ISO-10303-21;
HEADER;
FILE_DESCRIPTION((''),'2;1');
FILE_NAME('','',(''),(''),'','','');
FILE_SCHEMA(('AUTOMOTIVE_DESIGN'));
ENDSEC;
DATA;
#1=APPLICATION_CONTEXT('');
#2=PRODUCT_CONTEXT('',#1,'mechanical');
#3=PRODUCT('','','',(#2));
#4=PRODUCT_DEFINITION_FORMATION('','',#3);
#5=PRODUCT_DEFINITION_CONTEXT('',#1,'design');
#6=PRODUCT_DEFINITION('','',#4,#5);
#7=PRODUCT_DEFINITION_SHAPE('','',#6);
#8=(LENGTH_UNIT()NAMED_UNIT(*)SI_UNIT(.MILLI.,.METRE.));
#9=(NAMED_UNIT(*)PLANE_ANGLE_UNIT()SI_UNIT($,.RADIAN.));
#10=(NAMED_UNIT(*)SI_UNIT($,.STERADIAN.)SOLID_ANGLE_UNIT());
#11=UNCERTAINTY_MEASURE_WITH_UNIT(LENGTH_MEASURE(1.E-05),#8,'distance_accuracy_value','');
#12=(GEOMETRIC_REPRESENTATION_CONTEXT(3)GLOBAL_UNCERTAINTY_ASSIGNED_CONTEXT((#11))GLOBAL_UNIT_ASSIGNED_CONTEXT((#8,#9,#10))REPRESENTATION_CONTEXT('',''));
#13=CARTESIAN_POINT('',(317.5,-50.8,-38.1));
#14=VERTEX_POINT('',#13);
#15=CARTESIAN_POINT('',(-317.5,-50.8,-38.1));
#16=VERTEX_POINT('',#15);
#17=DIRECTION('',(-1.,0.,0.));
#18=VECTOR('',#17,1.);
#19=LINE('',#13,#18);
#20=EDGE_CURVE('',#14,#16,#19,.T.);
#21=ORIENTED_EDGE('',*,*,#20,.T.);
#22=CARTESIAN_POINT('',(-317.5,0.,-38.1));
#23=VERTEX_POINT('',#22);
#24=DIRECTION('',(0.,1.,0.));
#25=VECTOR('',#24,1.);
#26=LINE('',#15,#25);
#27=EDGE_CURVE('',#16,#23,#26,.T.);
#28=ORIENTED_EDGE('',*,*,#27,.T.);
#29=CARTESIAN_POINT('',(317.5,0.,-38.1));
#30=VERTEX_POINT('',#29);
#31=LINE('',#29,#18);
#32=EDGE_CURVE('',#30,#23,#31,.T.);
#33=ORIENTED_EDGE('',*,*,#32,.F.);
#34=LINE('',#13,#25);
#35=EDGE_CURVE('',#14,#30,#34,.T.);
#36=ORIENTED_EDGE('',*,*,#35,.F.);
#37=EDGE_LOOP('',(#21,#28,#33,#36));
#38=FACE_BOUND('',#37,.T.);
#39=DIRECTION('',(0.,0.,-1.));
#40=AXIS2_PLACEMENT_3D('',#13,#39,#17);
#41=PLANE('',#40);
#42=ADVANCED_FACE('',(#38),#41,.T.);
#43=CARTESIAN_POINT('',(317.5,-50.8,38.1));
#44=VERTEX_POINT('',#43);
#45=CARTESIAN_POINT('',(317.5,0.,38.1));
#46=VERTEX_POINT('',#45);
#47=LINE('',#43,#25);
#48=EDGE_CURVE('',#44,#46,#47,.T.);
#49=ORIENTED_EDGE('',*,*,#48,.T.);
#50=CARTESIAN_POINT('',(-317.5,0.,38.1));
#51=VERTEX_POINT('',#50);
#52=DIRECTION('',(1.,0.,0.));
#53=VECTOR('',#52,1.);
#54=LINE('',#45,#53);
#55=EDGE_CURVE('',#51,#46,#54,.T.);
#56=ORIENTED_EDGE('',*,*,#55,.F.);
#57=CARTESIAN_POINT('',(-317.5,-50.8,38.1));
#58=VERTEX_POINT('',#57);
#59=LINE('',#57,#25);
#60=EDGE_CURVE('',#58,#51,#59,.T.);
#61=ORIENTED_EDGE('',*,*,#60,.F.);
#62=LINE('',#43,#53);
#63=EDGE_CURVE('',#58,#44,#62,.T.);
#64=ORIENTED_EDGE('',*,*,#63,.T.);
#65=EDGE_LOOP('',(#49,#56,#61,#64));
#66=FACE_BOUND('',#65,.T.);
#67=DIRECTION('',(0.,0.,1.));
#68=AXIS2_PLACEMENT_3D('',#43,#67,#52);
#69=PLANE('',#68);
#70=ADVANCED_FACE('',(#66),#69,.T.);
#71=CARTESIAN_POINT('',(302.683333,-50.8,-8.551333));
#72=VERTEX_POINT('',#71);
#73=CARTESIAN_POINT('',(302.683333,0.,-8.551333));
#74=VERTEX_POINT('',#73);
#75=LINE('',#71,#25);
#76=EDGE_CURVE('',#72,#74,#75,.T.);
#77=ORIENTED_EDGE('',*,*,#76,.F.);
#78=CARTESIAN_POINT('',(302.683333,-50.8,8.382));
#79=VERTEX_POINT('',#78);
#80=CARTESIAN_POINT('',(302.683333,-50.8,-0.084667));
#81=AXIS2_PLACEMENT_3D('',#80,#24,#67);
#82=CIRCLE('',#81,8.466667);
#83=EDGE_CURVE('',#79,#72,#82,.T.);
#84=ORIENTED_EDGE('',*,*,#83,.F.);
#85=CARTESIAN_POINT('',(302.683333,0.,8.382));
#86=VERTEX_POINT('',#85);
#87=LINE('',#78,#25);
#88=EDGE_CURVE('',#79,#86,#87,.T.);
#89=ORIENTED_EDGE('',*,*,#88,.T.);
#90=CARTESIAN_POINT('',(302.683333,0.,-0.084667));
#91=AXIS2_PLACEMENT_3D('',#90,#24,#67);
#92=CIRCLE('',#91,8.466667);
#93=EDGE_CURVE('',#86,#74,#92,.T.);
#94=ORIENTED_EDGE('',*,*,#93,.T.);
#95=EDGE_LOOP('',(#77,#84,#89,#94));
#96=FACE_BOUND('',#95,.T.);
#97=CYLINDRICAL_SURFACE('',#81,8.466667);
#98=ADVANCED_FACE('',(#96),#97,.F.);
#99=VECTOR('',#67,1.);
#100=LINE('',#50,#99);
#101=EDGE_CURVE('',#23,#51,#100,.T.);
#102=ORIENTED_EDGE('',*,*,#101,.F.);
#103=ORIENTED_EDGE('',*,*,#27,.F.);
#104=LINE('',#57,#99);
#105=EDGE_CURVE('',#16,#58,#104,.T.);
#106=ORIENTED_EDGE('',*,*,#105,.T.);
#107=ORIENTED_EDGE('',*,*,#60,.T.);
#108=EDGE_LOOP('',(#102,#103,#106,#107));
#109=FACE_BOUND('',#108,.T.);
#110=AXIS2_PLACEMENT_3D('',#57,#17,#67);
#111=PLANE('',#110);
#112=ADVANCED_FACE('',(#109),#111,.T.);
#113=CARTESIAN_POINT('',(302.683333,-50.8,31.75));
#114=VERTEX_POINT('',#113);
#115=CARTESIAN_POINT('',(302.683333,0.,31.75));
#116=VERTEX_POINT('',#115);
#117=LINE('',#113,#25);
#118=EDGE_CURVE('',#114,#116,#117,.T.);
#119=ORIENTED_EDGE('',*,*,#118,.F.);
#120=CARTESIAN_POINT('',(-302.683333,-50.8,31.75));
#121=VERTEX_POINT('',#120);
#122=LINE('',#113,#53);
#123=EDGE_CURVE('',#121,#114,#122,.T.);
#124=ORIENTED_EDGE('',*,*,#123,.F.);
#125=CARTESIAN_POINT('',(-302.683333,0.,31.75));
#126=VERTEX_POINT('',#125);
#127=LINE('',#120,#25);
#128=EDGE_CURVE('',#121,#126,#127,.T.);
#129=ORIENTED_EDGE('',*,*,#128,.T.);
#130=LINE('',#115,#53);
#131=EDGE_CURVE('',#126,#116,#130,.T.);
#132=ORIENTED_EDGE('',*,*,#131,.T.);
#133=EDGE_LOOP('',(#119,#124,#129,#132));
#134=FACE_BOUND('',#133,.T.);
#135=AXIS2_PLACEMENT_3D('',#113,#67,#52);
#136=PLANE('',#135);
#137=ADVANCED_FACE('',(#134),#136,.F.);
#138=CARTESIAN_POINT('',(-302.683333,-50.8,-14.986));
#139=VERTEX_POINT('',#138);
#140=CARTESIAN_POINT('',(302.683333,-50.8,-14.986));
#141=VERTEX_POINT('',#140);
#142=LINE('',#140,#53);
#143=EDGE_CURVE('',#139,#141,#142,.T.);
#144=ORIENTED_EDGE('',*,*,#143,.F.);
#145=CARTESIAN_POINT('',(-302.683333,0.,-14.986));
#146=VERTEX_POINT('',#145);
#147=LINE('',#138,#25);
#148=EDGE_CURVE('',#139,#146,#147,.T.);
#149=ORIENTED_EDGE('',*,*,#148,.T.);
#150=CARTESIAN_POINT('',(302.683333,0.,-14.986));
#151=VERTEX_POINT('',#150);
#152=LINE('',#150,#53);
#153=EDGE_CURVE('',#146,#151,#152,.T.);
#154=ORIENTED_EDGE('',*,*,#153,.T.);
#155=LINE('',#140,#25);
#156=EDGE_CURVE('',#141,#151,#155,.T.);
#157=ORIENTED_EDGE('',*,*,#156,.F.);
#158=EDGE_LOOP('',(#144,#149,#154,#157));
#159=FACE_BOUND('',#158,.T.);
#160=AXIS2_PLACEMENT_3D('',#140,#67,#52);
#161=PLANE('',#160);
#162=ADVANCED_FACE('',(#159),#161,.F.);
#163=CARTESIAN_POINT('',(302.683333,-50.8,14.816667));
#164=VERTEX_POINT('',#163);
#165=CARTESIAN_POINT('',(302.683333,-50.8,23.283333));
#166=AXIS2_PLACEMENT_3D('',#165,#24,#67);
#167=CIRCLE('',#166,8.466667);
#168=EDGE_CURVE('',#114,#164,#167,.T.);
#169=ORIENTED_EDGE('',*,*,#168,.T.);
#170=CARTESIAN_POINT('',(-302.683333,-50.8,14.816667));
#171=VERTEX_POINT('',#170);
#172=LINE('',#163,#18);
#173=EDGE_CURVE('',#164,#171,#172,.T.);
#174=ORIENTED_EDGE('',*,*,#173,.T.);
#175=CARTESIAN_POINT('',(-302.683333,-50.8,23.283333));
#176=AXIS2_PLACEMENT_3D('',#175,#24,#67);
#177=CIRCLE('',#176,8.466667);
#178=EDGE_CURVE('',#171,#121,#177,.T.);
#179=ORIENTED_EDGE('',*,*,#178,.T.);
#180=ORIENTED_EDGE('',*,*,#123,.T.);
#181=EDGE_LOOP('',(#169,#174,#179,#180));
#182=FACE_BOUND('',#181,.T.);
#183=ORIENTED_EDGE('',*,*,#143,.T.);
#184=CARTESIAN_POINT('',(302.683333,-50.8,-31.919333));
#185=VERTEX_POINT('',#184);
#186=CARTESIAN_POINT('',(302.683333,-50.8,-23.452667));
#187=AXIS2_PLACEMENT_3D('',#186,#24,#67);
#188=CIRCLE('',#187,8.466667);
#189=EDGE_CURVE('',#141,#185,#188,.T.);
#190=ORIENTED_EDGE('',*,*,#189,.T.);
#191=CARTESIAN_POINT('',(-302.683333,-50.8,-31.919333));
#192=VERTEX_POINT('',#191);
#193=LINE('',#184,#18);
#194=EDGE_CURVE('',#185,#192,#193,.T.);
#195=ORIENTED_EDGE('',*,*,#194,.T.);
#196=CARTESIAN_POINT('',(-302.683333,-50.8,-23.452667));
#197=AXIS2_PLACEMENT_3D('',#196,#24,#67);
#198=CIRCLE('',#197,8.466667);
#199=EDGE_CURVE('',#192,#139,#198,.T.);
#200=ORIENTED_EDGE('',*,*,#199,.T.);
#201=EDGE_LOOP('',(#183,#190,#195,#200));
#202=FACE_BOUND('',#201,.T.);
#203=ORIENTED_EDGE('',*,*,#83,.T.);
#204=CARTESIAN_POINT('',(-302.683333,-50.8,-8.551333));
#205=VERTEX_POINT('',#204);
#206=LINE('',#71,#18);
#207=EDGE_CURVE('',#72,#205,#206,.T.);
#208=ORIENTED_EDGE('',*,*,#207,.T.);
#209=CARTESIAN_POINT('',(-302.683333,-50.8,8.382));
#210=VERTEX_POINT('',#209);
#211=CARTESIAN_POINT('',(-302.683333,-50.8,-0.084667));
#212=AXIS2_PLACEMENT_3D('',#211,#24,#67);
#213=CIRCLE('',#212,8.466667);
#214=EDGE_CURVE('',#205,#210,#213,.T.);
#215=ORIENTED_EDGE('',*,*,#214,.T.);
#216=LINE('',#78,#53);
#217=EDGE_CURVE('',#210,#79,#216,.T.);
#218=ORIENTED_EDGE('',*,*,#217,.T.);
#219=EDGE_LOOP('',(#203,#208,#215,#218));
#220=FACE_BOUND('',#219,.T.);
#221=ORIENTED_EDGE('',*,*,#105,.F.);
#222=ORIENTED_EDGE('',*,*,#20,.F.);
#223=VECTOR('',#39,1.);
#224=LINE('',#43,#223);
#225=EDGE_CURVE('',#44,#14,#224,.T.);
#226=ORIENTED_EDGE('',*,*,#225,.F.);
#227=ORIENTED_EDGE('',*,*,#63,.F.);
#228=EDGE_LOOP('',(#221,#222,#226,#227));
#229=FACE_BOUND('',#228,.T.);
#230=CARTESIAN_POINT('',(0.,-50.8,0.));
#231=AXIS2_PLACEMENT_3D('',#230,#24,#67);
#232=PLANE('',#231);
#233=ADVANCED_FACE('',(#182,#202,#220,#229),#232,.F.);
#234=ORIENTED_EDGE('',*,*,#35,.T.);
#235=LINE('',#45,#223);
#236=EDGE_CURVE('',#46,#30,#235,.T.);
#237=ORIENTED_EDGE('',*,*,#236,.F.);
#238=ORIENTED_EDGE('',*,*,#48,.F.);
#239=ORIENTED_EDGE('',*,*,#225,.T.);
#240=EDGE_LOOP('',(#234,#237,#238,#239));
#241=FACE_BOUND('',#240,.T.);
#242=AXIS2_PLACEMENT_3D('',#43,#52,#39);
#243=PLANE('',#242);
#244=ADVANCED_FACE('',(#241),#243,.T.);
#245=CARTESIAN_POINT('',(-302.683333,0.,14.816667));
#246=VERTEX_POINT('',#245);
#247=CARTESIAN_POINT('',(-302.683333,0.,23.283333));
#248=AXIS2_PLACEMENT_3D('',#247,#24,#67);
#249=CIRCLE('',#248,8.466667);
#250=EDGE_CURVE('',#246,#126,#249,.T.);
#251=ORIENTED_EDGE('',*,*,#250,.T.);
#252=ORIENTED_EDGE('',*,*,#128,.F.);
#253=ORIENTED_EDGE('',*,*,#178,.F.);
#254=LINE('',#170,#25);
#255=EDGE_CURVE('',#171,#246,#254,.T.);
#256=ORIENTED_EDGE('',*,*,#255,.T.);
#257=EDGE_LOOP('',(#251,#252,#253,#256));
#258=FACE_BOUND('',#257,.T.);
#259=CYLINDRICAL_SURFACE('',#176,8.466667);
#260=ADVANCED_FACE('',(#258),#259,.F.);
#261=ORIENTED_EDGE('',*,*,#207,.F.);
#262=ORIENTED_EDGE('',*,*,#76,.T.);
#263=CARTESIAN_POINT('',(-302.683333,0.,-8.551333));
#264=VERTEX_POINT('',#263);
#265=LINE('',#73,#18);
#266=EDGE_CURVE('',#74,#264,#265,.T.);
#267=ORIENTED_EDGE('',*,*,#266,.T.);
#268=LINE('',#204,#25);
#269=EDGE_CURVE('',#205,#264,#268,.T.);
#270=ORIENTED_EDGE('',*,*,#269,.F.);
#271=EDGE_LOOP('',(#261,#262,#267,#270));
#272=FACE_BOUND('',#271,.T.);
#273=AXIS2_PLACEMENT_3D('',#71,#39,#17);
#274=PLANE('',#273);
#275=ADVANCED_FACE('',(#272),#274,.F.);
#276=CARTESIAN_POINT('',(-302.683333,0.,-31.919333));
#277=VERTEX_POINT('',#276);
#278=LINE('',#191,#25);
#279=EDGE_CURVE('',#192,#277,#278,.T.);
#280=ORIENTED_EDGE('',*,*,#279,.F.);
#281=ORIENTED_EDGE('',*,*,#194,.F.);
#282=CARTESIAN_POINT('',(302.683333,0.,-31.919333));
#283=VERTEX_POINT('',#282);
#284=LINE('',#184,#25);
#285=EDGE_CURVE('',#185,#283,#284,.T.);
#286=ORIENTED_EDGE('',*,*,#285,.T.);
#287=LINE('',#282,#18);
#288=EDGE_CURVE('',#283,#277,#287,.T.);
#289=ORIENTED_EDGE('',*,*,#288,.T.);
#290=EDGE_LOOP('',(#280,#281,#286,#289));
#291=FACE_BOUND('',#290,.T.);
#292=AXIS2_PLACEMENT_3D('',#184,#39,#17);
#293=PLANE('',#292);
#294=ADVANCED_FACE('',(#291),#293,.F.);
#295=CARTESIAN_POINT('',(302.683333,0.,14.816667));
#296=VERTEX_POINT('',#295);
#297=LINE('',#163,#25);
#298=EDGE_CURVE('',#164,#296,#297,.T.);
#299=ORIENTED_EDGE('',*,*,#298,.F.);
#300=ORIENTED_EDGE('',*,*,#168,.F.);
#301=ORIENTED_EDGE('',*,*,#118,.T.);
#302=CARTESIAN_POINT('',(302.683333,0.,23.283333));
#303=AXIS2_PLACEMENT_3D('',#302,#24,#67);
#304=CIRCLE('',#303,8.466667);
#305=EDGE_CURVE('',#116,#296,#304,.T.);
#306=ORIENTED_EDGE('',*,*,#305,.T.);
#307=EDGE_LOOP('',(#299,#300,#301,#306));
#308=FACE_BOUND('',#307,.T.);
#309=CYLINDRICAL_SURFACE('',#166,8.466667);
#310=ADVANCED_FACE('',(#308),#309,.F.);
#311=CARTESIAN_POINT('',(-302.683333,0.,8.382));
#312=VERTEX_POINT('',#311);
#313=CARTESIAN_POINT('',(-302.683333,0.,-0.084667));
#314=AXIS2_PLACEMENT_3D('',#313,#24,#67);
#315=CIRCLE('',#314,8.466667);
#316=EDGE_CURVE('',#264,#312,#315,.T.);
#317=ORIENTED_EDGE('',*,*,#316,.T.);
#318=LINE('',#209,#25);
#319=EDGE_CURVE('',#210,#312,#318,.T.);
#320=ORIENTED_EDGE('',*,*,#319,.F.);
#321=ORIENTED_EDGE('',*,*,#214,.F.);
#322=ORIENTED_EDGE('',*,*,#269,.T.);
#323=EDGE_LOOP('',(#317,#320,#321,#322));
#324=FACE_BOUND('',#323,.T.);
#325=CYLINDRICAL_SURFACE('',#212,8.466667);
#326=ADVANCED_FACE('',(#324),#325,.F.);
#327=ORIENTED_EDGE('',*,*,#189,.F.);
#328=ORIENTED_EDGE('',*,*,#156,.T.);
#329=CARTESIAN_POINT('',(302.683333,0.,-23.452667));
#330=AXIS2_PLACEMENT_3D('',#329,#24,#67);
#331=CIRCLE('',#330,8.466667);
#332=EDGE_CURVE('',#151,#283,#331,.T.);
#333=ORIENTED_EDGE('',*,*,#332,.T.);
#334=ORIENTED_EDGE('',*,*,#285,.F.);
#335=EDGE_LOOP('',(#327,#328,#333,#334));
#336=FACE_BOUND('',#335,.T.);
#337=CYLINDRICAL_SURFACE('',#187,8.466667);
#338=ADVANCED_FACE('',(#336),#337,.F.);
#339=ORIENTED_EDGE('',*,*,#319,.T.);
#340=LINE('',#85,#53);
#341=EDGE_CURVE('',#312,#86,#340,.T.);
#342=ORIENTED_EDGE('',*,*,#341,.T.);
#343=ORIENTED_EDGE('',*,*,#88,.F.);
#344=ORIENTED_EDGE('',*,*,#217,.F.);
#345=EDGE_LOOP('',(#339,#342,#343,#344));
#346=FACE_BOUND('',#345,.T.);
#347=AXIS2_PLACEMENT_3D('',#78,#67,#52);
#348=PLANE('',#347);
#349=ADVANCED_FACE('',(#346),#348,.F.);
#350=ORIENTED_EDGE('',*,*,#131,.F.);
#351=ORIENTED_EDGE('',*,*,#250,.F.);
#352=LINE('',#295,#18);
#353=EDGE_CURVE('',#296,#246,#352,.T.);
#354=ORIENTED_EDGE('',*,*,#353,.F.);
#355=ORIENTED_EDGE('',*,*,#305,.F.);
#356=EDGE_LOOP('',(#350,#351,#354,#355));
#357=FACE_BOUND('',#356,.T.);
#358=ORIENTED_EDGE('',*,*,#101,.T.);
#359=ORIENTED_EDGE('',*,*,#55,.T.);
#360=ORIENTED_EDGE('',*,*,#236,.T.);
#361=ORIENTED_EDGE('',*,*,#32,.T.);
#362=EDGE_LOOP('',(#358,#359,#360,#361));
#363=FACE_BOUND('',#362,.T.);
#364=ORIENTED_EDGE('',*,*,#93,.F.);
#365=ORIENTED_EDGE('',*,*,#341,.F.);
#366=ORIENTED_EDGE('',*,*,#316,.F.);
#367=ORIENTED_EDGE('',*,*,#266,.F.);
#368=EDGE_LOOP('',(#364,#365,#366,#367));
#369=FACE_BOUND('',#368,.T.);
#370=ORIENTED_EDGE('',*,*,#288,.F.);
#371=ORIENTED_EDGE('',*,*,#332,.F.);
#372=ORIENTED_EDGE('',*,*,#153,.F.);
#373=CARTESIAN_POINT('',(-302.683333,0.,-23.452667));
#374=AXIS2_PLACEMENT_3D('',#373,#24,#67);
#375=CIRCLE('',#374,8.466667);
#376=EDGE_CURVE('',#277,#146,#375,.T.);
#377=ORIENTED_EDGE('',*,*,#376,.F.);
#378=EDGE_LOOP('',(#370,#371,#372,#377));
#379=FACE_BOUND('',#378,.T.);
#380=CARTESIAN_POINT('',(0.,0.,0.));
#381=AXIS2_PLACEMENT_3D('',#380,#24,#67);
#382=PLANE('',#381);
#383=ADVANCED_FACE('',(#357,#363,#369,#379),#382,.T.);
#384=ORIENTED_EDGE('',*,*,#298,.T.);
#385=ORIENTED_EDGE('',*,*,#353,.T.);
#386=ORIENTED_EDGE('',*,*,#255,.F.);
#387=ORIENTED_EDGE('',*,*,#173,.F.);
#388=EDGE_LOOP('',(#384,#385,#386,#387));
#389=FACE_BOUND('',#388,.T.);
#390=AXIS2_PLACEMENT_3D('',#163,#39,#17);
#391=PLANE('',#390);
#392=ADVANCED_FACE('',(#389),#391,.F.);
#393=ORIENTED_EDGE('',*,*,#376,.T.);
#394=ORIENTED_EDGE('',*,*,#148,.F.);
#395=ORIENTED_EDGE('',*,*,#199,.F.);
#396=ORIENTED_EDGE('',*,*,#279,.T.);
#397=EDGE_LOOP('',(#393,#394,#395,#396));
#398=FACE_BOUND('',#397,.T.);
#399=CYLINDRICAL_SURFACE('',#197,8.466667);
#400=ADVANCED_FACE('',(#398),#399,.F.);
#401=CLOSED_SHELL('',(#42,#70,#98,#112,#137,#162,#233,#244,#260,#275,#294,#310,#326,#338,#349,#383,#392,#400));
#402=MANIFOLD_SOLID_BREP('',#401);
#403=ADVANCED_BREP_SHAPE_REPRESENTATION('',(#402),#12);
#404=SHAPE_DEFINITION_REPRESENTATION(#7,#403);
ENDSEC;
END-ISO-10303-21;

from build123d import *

# Parameters (mm, degrees)
SKETCH1_W           = 635
SKETCH1_H           = 76.2
BOSS_EXTRUDE1_DEPTH = 50.8


with BuildPart() as part:
    # Sketch1 → Boss-Extrude1 (new body)
    with BuildSketch(Plane(origin=(0, 0, 0), x_dir=(1, 0, 0), z_dir=(0, 1, 0))):
        Rectangle(SKETCH1_W, SKETCH1_H)
        with BuildLine():
            Line((302.683333333, -8.382), (-302.683333333, -8.382))
            ThreePointArc((-302.683333333, -8.382), (-311.15, 0.084666667), (-302.683333333, 8.551333333))
            Line((-302.683333333, 8.551333333), (302.683333333, 8.551333333))
            ThreePointArc((302.683333333, 8.551333333), (311.15, 0.084666667), (302.683333333, -8.382))
        make_face(mode=Mode.SUBTRACT)
        with BuildLine():
            Line((302.683333333, -31.75), (-302.683333333, -31.75))
            ThreePointArc((-302.683333333, -31.75), (-311.15, -23.283333333), (-302.683333333, -14.816666667))
            Line((-302.683333333, -14.816666667), (302.683333333, -14.816666667))
            ThreePointArc((302.683333333, -14.816666667), (311.15, -23.283333333), (302.683333333, -31.75))
        make_face(mode=Mode.SUBTRACT)
        with BuildLine():
            Line((302.683333333, 14.986), (-302.683333333, 14.986))
            ThreePointArc((-302.683333333, 14.986), (-311.15, 23.452666667), (-302.683333333, 31.919333333))
            Line((-302.683333333, 31.919333333), (302.683333333, 31.919333333))
            ThreePointArc((302.683333333, 31.919333333), (311.15, 23.452666667), (302.683333333, 14.986))
        make_face(mode=Mode.SUBTRACT)
    extrude(amount=-BOSS_EXTRUDE1_DEPTH)


solid = part.part
